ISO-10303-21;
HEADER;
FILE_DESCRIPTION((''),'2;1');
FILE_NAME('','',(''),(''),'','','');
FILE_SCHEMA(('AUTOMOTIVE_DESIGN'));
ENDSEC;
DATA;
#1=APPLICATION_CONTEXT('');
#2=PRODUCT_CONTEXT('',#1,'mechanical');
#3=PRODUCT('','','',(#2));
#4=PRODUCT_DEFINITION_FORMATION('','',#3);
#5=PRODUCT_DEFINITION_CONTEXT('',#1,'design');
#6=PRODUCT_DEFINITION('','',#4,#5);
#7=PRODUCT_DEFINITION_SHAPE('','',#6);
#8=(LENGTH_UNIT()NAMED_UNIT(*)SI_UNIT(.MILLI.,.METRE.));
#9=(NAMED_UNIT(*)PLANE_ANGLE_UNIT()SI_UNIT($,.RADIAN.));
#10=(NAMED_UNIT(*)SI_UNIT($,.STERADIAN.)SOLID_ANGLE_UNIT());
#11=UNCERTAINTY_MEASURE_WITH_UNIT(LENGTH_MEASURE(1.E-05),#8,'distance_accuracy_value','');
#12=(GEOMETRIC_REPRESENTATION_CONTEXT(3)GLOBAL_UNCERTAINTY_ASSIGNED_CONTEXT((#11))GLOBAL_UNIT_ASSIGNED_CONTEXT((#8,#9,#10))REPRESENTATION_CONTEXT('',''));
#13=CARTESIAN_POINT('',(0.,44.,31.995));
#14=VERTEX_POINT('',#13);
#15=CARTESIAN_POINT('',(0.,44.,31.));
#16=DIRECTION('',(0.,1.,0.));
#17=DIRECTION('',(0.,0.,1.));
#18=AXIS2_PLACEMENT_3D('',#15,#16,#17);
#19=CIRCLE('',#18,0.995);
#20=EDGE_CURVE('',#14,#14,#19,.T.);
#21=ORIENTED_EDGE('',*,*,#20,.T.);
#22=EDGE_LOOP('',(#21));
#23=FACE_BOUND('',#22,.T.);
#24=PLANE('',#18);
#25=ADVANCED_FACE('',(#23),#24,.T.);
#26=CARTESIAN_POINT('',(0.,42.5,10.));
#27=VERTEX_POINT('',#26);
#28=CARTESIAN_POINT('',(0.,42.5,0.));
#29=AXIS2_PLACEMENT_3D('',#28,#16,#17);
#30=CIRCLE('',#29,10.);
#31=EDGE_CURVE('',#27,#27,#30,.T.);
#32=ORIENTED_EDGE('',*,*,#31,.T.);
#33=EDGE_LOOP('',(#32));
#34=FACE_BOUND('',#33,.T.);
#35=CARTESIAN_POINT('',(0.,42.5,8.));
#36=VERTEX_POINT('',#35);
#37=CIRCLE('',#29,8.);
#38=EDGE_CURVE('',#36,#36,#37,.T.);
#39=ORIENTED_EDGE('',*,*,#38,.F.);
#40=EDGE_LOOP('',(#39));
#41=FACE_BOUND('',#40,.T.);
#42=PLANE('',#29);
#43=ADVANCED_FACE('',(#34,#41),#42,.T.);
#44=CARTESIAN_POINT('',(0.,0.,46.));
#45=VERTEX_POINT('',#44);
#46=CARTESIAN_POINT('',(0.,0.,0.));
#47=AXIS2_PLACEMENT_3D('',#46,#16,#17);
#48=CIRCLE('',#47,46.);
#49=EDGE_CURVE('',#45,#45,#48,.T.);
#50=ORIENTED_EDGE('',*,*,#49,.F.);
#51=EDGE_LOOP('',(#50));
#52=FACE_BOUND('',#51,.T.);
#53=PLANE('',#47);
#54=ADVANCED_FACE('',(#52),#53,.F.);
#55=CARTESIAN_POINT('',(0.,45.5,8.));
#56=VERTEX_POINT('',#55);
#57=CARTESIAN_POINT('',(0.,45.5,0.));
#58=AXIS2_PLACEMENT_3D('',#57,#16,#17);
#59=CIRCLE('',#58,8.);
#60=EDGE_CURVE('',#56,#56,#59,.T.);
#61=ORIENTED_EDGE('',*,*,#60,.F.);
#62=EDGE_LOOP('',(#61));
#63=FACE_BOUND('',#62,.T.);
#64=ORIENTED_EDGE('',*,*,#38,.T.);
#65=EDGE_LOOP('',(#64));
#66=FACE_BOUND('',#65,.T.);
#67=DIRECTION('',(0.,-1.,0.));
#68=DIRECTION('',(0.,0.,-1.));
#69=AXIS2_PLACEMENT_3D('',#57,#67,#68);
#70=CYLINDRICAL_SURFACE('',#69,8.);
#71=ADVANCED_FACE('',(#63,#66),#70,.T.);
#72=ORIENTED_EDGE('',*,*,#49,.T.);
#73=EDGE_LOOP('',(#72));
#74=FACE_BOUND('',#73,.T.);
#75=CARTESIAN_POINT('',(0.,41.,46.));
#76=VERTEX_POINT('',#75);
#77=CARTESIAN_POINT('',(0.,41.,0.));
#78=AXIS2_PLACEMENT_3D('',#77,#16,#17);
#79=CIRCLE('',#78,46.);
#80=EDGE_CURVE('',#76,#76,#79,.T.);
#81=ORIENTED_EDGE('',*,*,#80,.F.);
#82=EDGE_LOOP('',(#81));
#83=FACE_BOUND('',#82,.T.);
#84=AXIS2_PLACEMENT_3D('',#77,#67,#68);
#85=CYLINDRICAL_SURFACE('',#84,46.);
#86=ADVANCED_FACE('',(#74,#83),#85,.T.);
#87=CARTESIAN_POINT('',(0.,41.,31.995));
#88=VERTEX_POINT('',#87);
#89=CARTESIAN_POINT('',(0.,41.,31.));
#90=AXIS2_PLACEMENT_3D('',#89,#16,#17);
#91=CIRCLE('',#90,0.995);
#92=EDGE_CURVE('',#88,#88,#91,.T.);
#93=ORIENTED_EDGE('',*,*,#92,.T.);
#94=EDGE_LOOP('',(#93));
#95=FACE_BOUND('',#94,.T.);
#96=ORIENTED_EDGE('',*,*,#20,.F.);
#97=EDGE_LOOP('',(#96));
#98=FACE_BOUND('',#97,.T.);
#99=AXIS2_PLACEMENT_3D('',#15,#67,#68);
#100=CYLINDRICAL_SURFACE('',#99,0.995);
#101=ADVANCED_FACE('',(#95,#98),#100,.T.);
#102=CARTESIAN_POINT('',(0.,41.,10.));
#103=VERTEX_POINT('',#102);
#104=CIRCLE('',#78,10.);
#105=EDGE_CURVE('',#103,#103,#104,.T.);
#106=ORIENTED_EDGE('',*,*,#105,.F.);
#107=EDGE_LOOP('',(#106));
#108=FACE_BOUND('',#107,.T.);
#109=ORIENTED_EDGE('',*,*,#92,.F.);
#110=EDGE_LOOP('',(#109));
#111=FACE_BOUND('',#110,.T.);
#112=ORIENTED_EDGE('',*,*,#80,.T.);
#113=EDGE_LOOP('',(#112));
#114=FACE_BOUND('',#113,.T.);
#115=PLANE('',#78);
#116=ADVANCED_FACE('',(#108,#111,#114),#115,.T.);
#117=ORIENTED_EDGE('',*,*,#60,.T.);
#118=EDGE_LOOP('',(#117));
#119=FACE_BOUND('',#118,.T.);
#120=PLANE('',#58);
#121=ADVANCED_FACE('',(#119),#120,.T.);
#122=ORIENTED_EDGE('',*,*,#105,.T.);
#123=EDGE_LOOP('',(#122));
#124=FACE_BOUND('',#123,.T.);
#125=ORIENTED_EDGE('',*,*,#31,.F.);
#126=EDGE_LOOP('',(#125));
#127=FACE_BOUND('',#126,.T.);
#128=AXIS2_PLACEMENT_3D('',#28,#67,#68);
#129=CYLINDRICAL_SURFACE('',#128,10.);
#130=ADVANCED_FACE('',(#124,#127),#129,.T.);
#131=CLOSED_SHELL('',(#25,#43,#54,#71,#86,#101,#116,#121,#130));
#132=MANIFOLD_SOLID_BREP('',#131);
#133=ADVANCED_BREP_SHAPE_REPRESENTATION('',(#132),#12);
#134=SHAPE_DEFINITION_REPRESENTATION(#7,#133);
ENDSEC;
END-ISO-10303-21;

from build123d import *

# Parameters (mm, degrees)
ESQUISSE1_R        = 46
BOSS_EXTRU_1_DEPTH = 41
ESQUISSE2_R        = 10
BOSS_EXTRU_2_DEPTH = 1.5
ESQUISSE3_R        = 8
BOSS_EXTRU_3_DEPTH = 3
ESQUISSE4_R        = 0.995
BOSS_EXTRU_4_DEPTH = 3


with BuildPart() as part:
    # Esquisse1 → Boss.-Extru.1 (new body)
    with BuildSketch(Plane(origin=(0, 0, 0), x_dir=(1, 0, 0), z_dir=(0, 1, 0))):
        with Locations(Location((0, 0, 0), (0, 0, 270))):
            Circle(ESQUISSE1_R)
    extrude(amount=BOSS_EXTRU_1_DEPTH)

    # Esquisse2 → Boss.-Extru.2 (add)
    with BuildSketch(Plane(origin=(0, 41, 0), x_dir=(1, 0, 0), z_dir=(0, 1, 0))):
        with Locations(Location((0, 0, 0), (0, 0, 270))):
            Circle(ESQUISSE2_R)
    extrude(amount=BOSS_EXTRU_2_DEPTH)

    # Esquisse3 → Boss.-Extru.3 (add)
    with BuildSketch(Plane(origin=(0, 42.5, 0), x_dir=(1, 0, 0), z_dir=(0, 1, 0))):
        with Locations(Location((0, 0, 0), (0, 0, 270))):
            Circle(ESQUISSE3_R)
    extrude(amount=BOSS_EXTRU_3_DEPTH)

    # Esquisse4 → Boss.-Extru.4 (add)
    with BuildSketch(Plane(origin=(0, 41, 0), x_dir=(1, 0, 0), z_dir=(0, 1, 0))):
        with Locations(Location((0, -31, 0), (0, 0, 270))):
            Circle(ESQUISSE4_R)
    extrude(amount=BOSS_EXTRU_4_DEPTH)


solid = part.part
